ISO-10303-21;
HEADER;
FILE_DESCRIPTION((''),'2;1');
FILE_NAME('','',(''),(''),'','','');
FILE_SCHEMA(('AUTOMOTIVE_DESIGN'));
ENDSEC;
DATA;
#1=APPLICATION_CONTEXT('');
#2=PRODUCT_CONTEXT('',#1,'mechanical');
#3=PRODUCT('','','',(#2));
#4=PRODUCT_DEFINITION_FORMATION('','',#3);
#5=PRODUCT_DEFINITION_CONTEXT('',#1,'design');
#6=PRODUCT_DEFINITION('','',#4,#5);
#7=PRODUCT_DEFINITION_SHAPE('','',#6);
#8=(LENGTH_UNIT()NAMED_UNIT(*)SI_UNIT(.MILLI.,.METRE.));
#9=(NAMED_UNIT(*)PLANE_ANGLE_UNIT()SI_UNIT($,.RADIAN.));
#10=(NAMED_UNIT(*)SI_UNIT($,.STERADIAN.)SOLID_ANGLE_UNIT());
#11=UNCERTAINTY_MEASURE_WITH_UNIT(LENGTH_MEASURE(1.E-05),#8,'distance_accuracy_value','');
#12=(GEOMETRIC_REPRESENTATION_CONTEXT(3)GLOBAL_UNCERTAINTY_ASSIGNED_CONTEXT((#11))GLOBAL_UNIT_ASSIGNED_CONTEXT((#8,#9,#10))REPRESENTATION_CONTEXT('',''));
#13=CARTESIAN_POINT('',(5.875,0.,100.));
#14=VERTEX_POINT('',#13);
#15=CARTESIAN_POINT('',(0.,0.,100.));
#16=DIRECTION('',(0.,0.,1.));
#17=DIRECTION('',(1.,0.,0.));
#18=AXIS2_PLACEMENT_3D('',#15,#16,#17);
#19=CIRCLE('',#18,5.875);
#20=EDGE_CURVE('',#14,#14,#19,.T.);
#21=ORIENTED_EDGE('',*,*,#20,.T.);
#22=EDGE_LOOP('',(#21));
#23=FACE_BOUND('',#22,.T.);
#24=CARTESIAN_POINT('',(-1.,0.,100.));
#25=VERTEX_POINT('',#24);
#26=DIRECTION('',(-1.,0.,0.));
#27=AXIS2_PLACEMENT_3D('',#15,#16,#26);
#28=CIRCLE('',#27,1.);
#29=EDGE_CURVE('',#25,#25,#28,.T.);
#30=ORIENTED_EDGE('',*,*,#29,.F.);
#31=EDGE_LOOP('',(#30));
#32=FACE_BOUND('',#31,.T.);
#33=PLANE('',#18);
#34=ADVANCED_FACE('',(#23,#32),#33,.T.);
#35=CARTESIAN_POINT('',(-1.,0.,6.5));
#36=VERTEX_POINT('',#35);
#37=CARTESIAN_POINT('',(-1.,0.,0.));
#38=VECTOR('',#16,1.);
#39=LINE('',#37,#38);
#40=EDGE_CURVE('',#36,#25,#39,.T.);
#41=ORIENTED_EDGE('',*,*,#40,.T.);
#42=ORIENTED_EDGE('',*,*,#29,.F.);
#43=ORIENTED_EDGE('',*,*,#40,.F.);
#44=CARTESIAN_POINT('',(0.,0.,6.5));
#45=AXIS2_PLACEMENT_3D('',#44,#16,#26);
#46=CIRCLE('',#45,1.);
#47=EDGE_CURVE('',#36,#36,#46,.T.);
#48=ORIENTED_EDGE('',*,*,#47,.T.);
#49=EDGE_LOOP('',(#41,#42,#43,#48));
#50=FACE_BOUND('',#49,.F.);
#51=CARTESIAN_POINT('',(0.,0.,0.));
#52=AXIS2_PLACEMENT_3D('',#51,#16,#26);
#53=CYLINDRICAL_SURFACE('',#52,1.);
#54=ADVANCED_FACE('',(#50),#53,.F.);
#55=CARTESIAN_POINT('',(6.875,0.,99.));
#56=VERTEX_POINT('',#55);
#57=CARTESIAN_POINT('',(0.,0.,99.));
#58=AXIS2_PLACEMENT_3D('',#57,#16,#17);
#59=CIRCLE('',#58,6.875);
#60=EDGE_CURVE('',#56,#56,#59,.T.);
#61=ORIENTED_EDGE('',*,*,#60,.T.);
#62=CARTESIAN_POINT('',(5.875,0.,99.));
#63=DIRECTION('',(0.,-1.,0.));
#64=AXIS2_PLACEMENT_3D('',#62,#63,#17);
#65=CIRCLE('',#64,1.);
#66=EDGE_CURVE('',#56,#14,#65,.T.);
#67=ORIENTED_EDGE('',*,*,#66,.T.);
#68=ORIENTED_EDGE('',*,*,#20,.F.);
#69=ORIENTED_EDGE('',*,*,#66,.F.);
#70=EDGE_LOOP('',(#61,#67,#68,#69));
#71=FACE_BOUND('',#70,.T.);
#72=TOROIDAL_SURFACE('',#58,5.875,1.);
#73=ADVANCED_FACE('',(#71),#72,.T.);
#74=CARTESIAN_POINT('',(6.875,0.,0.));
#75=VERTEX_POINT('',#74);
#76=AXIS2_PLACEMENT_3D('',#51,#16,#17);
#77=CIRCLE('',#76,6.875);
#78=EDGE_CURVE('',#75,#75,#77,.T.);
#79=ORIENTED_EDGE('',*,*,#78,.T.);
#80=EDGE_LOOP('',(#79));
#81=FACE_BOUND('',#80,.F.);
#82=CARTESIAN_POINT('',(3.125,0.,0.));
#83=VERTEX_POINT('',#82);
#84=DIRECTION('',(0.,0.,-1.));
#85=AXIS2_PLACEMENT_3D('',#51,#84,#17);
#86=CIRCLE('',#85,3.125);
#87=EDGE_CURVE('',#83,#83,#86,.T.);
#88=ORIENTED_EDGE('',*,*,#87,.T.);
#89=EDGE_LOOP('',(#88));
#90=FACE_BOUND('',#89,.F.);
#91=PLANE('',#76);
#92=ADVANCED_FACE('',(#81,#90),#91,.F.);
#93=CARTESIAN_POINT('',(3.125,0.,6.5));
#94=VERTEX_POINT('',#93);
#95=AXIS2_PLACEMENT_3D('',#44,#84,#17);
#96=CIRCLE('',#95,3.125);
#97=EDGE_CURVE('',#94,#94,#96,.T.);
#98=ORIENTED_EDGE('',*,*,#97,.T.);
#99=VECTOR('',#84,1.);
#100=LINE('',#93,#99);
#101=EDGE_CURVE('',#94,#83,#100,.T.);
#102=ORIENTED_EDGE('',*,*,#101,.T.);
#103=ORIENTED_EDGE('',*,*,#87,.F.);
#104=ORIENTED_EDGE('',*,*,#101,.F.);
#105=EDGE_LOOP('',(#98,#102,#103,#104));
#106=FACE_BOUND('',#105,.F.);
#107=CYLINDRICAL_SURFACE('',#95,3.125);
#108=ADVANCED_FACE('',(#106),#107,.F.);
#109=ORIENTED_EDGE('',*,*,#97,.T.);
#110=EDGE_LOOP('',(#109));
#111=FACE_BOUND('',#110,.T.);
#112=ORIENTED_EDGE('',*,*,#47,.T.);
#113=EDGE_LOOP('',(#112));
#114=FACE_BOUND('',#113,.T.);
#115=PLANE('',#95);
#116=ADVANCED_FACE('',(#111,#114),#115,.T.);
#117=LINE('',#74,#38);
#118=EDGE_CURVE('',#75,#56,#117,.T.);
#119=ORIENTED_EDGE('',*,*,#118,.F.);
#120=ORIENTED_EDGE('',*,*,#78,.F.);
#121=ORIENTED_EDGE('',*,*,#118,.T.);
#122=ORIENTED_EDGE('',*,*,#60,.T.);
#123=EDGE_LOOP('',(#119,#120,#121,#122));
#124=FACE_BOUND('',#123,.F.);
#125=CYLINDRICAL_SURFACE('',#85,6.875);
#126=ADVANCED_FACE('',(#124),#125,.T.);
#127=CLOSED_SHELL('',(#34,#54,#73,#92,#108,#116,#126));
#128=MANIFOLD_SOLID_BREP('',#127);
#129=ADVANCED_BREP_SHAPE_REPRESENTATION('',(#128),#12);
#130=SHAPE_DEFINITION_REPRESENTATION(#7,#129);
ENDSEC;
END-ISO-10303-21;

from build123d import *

# Parameters (mm, degrees)
F0_R           = 6.875
F1_DEPTH       = 100
F3_D           = 2
F3_CBORE_D     = 6.25
F3_CBORE_DEPTH = 6.5
F4_R           = 1


with BuildPart() as f1:
    # F0 (on Top) → F1 (new body)
    with BuildSketch(Plane.XY):
        Circle(F0_R)
    extrude(amount=F1_DEPTH)

    # F3 (through all)
    with Locations(Plane(origin=(0, 0, 0), x_dir=(1, 0, 0), z_dir=(0, 0, -1))):
        with Locations((0, 0)):
            CounterBoreHole(F3_D / 2, F3_CBORE_D / 2, F3_CBORE_DEPTH)

    # F4
    f4_edges = [f1.edges().sort_by_distance(p)[0] for p in [
        (-6.875, 0, 100),
    ]]
    fillet(f4_edges, radius=F4_R)


solid = f1.part
